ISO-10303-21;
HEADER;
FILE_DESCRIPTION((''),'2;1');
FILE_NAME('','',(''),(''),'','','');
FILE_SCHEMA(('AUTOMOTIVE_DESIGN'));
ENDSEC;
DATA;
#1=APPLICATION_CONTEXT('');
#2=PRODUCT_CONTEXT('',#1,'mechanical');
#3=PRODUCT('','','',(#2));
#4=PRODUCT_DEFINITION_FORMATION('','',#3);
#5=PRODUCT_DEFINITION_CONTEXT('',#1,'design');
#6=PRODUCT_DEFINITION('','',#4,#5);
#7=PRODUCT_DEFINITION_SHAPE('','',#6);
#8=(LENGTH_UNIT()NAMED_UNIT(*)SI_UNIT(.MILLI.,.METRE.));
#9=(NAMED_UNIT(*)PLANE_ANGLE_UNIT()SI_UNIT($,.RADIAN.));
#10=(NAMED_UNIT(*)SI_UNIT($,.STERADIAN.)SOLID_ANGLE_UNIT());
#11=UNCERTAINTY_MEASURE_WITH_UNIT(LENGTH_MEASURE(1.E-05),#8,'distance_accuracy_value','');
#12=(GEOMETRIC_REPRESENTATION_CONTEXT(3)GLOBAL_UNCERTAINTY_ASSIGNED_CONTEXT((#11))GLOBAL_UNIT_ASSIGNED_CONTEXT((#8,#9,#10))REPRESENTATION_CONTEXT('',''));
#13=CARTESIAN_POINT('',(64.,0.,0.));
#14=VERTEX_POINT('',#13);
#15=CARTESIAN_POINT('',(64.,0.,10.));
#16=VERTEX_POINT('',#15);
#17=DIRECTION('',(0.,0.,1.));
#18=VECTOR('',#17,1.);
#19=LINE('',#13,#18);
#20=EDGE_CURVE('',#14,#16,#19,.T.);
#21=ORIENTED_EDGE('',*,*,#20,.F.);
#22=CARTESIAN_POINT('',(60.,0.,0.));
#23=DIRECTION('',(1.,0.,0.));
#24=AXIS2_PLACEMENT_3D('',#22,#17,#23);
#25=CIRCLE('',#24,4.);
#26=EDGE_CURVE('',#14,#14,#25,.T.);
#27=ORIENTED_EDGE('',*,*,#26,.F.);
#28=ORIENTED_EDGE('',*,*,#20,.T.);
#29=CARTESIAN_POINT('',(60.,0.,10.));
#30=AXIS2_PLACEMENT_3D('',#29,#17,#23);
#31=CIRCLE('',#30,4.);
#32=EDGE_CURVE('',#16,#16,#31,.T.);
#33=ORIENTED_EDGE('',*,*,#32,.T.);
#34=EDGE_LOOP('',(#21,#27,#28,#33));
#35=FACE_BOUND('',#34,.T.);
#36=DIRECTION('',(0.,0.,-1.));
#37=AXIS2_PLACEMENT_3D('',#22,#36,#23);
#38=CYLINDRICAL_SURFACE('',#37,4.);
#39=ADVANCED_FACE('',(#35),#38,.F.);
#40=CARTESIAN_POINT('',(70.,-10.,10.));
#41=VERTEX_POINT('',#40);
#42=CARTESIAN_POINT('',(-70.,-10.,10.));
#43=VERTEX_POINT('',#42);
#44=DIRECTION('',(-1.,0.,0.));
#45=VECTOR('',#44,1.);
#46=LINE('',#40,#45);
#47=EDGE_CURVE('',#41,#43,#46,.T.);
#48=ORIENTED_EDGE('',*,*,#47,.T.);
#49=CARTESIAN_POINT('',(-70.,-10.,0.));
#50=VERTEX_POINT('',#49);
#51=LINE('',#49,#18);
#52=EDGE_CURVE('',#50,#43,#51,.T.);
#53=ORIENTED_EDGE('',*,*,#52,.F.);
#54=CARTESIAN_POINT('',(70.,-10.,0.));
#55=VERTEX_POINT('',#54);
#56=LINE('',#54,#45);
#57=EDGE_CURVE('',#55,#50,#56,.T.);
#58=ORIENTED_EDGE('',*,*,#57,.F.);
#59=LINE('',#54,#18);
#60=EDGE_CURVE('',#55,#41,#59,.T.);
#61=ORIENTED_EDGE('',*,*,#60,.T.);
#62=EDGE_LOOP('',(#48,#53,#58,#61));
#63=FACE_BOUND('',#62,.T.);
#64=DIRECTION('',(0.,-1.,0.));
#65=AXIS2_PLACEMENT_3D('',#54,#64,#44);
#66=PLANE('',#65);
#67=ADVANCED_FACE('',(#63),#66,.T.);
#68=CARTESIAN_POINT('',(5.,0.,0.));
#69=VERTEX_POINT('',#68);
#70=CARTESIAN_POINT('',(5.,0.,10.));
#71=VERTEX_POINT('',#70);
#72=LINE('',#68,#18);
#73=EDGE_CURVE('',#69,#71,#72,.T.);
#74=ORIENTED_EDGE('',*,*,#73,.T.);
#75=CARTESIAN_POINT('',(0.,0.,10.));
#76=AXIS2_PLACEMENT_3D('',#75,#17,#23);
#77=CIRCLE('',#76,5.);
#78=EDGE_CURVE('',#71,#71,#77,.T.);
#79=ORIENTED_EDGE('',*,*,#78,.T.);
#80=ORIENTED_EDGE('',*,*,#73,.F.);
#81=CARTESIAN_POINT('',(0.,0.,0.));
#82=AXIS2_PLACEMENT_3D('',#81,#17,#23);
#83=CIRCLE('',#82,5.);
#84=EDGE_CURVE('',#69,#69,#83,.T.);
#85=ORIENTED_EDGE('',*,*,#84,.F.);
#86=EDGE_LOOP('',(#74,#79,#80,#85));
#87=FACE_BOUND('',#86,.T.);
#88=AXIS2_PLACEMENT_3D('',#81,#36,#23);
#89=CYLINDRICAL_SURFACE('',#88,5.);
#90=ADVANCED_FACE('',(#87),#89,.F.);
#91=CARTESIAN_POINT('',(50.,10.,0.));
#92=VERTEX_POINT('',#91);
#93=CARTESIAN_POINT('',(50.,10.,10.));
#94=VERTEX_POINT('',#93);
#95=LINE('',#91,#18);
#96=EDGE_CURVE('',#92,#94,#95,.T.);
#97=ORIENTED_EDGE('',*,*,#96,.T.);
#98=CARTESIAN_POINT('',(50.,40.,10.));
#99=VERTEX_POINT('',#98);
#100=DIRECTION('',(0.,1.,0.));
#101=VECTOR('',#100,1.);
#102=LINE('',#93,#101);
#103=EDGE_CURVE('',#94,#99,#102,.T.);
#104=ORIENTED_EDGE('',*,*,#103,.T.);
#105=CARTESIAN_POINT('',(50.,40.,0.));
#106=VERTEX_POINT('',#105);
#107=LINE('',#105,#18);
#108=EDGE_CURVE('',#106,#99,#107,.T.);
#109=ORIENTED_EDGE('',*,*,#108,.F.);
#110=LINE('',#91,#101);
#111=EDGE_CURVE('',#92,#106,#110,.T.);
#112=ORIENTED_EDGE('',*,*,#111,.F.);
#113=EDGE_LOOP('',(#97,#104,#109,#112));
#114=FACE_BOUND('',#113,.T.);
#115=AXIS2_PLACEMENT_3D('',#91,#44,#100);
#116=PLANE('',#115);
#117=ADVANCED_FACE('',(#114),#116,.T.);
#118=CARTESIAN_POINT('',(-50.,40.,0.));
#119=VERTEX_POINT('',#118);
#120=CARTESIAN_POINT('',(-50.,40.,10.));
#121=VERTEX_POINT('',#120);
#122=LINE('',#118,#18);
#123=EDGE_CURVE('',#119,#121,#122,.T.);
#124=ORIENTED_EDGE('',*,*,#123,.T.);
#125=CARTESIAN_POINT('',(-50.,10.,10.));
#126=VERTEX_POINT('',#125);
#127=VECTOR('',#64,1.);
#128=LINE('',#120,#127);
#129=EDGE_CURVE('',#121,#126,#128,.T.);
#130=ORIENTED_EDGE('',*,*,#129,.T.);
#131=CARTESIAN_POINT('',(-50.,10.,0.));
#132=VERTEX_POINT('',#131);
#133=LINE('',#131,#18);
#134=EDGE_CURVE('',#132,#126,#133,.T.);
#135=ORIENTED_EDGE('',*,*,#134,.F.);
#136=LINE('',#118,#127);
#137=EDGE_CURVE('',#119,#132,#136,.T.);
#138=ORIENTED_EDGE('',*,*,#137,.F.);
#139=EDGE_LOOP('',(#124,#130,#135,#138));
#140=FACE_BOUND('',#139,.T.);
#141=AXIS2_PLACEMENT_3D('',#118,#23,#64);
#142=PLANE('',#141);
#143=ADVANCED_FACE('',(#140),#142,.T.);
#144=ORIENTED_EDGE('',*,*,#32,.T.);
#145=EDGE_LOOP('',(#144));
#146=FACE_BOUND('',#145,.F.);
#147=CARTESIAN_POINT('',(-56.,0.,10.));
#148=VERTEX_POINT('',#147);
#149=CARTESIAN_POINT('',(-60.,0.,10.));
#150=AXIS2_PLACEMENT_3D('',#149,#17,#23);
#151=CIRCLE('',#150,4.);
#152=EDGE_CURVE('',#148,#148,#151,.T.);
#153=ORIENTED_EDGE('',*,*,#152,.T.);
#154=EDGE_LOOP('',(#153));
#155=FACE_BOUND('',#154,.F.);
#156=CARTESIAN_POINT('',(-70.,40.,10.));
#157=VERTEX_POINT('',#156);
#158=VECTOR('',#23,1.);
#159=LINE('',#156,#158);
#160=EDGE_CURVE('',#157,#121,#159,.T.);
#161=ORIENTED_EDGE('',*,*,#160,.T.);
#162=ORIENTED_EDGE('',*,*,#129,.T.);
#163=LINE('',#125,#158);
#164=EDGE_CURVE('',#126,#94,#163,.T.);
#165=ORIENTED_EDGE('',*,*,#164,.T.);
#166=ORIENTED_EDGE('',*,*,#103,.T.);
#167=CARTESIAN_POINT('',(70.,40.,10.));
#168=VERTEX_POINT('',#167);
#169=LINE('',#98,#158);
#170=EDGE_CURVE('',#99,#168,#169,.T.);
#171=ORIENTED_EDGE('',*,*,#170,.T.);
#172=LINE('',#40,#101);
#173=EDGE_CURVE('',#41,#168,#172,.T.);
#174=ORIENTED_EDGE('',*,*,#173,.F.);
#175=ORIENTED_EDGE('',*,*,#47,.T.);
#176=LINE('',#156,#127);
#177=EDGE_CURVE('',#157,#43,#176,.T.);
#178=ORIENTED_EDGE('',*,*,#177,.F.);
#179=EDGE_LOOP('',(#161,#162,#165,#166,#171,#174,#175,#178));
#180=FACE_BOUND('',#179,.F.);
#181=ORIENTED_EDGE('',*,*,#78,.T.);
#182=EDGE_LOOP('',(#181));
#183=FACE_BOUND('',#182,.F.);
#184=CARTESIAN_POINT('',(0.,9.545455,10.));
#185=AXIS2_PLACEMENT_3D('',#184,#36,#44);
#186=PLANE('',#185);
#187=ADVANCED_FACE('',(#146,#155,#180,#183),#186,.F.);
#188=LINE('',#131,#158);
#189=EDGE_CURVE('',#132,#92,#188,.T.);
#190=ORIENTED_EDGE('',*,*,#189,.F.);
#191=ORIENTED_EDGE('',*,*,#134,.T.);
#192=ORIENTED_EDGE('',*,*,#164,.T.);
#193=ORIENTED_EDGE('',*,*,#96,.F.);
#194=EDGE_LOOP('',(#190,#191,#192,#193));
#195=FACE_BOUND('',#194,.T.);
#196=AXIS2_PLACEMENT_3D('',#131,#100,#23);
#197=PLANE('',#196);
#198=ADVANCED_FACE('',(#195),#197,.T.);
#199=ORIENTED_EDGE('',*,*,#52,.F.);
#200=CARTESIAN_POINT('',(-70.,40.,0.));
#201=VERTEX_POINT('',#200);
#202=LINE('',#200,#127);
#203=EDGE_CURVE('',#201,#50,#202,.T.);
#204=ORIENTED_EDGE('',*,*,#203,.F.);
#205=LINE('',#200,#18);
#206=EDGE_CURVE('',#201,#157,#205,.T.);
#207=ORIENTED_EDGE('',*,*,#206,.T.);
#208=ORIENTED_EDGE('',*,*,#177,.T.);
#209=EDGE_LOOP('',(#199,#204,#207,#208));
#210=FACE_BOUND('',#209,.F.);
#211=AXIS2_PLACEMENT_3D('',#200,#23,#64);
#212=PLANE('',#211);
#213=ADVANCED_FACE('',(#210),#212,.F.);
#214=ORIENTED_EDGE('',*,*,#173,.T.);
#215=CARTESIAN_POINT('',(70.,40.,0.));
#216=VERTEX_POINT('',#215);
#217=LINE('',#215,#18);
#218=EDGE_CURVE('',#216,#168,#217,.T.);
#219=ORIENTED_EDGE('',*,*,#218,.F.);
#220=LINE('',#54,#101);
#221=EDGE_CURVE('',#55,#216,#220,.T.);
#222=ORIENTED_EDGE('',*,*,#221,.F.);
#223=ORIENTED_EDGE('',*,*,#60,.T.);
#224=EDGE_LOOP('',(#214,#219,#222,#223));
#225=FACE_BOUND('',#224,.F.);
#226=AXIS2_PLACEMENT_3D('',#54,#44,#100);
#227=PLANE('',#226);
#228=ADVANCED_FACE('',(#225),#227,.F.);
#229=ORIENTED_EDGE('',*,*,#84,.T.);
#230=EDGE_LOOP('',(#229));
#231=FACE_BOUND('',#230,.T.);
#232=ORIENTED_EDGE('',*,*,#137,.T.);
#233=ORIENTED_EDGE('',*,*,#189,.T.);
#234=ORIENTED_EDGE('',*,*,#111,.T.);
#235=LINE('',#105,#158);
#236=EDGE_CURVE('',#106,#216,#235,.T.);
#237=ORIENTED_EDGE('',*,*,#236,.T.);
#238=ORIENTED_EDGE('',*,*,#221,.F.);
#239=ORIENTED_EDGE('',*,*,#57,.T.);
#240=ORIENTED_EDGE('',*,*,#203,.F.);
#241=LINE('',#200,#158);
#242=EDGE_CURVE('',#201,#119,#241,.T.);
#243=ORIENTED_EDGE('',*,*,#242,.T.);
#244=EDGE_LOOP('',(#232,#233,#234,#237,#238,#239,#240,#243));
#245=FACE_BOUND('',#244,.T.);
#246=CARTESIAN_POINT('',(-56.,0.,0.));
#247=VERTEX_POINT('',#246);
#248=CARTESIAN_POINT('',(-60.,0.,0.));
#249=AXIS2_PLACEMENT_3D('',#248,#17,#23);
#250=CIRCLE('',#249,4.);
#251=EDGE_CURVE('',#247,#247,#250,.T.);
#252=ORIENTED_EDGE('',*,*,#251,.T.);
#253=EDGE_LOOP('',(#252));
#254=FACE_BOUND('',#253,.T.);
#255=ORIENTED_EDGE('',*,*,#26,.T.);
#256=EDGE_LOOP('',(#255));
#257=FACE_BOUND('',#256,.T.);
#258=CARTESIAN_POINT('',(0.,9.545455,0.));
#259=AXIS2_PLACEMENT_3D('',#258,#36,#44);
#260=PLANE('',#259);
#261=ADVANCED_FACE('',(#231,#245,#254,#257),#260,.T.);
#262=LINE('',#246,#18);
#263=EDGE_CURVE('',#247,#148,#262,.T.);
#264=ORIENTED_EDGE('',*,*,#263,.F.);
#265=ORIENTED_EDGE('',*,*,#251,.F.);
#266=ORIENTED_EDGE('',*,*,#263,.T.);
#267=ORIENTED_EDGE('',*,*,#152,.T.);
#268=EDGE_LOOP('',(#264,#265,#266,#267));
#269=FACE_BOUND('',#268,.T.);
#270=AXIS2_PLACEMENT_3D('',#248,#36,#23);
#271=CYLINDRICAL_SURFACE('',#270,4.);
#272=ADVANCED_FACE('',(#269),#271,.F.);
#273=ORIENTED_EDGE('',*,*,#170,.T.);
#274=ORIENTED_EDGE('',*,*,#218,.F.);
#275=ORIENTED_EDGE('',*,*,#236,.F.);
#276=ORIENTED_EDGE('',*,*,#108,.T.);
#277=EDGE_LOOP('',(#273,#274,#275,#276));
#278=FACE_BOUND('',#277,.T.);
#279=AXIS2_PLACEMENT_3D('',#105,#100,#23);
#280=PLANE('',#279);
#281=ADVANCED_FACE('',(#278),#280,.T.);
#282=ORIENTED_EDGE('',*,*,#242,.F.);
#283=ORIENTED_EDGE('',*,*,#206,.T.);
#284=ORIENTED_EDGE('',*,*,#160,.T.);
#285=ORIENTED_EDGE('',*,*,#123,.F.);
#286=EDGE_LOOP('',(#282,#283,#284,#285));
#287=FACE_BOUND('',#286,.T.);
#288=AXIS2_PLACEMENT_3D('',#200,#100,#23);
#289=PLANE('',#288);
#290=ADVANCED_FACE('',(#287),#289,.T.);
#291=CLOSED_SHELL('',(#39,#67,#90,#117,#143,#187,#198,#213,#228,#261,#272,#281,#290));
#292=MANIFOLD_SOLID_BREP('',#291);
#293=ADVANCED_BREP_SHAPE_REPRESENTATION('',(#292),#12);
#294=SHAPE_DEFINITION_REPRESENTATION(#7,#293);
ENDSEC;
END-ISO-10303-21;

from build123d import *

# Parameters (mm, degrees)
ESQUISSE1_R        = 5
ESQUISSE1_R_2      = 4
BOSS_EXTRU_1_DEPTH = 10


with BuildPart() as part:
    # Esquisse1 → Boss.-Extru.1 (new body)
    with BuildSketch(Plane.XY):
        Polygon((-50, 10), (50, 10), (50, 40), (70, 40), (70, 10), (70, -10), (-70, -10), (-70, 10), (-70, 40), (-50, 40), align=None)
        Circle(ESQUISSE1_R, mode=Mode.SUBTRACT)
        with Locations((-60, 0)):
            Circle(ESQUISSE1_R_2, mode=Mode.SUBTRACT)
        with Locations((60, 0)):
            Circle(ESQUISSE1_R_2, mode=Mode.SUBTRACT)
    extrude(amount=BOSS_EXTRU_1_DEPTH)


solid = part.part
